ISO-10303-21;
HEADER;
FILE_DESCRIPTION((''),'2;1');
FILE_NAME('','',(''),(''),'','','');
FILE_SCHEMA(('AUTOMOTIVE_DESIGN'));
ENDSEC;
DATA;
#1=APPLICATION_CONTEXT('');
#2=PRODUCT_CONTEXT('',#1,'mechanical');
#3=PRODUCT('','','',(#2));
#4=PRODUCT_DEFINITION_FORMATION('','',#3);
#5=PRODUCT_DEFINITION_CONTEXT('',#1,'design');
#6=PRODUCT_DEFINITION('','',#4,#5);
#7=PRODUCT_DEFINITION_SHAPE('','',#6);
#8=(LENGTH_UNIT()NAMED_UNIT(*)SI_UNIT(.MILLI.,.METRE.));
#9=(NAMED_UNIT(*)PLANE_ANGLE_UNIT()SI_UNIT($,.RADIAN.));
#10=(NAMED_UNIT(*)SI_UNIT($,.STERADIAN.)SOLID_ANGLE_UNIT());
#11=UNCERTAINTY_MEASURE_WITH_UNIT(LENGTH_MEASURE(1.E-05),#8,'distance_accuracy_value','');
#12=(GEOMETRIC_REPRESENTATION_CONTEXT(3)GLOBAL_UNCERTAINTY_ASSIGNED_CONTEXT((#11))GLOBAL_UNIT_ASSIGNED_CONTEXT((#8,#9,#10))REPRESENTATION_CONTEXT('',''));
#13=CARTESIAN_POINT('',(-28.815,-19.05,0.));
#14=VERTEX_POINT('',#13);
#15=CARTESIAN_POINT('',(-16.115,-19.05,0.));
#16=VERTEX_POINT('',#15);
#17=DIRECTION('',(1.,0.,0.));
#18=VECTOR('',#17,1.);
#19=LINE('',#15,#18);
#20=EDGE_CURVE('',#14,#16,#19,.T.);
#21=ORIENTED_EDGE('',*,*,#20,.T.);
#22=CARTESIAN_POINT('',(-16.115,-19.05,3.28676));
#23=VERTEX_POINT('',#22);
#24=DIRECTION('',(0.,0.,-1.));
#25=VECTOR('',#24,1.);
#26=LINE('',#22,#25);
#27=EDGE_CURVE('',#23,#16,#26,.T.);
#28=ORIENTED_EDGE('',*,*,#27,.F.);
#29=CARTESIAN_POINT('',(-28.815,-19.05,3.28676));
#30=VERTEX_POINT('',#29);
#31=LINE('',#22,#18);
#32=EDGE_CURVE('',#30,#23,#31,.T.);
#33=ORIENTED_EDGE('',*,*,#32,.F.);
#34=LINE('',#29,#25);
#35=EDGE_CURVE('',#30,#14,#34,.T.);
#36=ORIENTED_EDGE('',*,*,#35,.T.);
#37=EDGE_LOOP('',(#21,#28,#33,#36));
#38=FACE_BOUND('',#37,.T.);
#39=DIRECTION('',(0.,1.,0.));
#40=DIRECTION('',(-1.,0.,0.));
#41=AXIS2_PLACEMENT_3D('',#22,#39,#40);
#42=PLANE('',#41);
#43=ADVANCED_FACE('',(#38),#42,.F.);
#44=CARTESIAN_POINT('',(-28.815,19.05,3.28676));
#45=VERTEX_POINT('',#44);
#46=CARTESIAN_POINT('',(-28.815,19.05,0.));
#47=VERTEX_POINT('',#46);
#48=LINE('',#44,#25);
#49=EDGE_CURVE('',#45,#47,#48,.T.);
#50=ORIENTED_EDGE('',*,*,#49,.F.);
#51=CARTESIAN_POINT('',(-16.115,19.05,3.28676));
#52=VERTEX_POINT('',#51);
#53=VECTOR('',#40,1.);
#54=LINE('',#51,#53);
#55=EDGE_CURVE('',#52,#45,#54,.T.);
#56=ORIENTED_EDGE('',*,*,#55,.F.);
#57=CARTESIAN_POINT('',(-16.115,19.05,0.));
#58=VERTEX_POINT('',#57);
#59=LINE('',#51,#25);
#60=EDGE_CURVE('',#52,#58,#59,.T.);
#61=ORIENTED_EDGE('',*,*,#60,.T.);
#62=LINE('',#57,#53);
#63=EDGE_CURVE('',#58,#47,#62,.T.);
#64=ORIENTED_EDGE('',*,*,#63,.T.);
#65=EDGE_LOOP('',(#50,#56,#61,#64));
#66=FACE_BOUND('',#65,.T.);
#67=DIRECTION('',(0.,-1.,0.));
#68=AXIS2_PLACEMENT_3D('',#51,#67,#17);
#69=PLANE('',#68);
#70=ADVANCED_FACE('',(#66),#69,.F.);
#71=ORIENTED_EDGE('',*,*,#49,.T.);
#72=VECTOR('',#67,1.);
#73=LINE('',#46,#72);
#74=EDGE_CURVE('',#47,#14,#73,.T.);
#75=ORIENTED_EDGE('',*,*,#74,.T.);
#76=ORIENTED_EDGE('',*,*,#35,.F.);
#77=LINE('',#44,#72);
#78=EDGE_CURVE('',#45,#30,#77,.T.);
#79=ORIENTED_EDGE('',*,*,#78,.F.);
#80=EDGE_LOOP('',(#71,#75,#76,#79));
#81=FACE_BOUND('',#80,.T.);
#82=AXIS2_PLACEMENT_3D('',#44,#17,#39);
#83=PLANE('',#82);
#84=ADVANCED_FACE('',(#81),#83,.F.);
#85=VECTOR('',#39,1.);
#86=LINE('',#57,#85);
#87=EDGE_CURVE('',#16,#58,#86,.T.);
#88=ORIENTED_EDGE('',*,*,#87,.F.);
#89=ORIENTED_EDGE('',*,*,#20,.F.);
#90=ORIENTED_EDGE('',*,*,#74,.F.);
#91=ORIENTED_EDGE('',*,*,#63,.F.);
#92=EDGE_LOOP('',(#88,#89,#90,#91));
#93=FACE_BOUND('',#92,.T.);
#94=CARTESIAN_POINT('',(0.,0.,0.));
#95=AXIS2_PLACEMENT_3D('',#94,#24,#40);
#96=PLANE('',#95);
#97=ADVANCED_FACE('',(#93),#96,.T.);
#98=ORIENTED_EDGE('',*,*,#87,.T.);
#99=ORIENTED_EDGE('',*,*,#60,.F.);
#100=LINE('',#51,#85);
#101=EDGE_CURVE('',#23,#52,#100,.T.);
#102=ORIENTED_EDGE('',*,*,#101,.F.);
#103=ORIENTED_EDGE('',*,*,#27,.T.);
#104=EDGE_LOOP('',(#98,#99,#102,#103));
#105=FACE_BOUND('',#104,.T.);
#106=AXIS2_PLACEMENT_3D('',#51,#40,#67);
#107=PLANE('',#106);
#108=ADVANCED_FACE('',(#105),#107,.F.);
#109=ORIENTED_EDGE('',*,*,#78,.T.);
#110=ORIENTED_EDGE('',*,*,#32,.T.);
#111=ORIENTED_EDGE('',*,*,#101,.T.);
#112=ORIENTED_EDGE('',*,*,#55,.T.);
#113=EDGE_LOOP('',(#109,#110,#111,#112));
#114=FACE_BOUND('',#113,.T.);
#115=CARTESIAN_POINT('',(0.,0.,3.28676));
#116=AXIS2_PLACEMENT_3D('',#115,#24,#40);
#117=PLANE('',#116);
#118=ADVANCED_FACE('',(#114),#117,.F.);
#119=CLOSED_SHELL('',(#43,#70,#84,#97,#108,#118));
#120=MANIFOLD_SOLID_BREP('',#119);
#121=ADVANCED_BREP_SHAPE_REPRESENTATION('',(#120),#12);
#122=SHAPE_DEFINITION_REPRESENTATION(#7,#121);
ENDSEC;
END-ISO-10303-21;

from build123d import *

# Parameters (mm, degrees)
SKETCH1_W             = 12.7
SKETCH1_H             = 38.1
BOSS_EXTRUDE1_DEPTH   = 3.28676
BOSS_EXTRUDE1_2_DEPTH = 3.28676


with BuildPart() as part:
    # Sketch1 → Boss-Extrude1 (new body)
    with BuildSketch(Plane.XY):
        with Locations((22.465, 0)):
            Rectangle(SKETCH1_W, SKETCH1_H)
    extrude(amount=BOSS_EXTRUDE1_DEPTH)


with BuildPart() as body_2:
    # Sketch1 → Boss-Extrude1 2 (new body)
    with BuildSketch(Plane.XY):
        with Locations((-22.465, 0)):
            Rectangle(SKETCH1_W, SKETCH1_H)
    extrude(amount=BOSS_EXTRUDE1_2_DEPTH)


solid = body_2.part
